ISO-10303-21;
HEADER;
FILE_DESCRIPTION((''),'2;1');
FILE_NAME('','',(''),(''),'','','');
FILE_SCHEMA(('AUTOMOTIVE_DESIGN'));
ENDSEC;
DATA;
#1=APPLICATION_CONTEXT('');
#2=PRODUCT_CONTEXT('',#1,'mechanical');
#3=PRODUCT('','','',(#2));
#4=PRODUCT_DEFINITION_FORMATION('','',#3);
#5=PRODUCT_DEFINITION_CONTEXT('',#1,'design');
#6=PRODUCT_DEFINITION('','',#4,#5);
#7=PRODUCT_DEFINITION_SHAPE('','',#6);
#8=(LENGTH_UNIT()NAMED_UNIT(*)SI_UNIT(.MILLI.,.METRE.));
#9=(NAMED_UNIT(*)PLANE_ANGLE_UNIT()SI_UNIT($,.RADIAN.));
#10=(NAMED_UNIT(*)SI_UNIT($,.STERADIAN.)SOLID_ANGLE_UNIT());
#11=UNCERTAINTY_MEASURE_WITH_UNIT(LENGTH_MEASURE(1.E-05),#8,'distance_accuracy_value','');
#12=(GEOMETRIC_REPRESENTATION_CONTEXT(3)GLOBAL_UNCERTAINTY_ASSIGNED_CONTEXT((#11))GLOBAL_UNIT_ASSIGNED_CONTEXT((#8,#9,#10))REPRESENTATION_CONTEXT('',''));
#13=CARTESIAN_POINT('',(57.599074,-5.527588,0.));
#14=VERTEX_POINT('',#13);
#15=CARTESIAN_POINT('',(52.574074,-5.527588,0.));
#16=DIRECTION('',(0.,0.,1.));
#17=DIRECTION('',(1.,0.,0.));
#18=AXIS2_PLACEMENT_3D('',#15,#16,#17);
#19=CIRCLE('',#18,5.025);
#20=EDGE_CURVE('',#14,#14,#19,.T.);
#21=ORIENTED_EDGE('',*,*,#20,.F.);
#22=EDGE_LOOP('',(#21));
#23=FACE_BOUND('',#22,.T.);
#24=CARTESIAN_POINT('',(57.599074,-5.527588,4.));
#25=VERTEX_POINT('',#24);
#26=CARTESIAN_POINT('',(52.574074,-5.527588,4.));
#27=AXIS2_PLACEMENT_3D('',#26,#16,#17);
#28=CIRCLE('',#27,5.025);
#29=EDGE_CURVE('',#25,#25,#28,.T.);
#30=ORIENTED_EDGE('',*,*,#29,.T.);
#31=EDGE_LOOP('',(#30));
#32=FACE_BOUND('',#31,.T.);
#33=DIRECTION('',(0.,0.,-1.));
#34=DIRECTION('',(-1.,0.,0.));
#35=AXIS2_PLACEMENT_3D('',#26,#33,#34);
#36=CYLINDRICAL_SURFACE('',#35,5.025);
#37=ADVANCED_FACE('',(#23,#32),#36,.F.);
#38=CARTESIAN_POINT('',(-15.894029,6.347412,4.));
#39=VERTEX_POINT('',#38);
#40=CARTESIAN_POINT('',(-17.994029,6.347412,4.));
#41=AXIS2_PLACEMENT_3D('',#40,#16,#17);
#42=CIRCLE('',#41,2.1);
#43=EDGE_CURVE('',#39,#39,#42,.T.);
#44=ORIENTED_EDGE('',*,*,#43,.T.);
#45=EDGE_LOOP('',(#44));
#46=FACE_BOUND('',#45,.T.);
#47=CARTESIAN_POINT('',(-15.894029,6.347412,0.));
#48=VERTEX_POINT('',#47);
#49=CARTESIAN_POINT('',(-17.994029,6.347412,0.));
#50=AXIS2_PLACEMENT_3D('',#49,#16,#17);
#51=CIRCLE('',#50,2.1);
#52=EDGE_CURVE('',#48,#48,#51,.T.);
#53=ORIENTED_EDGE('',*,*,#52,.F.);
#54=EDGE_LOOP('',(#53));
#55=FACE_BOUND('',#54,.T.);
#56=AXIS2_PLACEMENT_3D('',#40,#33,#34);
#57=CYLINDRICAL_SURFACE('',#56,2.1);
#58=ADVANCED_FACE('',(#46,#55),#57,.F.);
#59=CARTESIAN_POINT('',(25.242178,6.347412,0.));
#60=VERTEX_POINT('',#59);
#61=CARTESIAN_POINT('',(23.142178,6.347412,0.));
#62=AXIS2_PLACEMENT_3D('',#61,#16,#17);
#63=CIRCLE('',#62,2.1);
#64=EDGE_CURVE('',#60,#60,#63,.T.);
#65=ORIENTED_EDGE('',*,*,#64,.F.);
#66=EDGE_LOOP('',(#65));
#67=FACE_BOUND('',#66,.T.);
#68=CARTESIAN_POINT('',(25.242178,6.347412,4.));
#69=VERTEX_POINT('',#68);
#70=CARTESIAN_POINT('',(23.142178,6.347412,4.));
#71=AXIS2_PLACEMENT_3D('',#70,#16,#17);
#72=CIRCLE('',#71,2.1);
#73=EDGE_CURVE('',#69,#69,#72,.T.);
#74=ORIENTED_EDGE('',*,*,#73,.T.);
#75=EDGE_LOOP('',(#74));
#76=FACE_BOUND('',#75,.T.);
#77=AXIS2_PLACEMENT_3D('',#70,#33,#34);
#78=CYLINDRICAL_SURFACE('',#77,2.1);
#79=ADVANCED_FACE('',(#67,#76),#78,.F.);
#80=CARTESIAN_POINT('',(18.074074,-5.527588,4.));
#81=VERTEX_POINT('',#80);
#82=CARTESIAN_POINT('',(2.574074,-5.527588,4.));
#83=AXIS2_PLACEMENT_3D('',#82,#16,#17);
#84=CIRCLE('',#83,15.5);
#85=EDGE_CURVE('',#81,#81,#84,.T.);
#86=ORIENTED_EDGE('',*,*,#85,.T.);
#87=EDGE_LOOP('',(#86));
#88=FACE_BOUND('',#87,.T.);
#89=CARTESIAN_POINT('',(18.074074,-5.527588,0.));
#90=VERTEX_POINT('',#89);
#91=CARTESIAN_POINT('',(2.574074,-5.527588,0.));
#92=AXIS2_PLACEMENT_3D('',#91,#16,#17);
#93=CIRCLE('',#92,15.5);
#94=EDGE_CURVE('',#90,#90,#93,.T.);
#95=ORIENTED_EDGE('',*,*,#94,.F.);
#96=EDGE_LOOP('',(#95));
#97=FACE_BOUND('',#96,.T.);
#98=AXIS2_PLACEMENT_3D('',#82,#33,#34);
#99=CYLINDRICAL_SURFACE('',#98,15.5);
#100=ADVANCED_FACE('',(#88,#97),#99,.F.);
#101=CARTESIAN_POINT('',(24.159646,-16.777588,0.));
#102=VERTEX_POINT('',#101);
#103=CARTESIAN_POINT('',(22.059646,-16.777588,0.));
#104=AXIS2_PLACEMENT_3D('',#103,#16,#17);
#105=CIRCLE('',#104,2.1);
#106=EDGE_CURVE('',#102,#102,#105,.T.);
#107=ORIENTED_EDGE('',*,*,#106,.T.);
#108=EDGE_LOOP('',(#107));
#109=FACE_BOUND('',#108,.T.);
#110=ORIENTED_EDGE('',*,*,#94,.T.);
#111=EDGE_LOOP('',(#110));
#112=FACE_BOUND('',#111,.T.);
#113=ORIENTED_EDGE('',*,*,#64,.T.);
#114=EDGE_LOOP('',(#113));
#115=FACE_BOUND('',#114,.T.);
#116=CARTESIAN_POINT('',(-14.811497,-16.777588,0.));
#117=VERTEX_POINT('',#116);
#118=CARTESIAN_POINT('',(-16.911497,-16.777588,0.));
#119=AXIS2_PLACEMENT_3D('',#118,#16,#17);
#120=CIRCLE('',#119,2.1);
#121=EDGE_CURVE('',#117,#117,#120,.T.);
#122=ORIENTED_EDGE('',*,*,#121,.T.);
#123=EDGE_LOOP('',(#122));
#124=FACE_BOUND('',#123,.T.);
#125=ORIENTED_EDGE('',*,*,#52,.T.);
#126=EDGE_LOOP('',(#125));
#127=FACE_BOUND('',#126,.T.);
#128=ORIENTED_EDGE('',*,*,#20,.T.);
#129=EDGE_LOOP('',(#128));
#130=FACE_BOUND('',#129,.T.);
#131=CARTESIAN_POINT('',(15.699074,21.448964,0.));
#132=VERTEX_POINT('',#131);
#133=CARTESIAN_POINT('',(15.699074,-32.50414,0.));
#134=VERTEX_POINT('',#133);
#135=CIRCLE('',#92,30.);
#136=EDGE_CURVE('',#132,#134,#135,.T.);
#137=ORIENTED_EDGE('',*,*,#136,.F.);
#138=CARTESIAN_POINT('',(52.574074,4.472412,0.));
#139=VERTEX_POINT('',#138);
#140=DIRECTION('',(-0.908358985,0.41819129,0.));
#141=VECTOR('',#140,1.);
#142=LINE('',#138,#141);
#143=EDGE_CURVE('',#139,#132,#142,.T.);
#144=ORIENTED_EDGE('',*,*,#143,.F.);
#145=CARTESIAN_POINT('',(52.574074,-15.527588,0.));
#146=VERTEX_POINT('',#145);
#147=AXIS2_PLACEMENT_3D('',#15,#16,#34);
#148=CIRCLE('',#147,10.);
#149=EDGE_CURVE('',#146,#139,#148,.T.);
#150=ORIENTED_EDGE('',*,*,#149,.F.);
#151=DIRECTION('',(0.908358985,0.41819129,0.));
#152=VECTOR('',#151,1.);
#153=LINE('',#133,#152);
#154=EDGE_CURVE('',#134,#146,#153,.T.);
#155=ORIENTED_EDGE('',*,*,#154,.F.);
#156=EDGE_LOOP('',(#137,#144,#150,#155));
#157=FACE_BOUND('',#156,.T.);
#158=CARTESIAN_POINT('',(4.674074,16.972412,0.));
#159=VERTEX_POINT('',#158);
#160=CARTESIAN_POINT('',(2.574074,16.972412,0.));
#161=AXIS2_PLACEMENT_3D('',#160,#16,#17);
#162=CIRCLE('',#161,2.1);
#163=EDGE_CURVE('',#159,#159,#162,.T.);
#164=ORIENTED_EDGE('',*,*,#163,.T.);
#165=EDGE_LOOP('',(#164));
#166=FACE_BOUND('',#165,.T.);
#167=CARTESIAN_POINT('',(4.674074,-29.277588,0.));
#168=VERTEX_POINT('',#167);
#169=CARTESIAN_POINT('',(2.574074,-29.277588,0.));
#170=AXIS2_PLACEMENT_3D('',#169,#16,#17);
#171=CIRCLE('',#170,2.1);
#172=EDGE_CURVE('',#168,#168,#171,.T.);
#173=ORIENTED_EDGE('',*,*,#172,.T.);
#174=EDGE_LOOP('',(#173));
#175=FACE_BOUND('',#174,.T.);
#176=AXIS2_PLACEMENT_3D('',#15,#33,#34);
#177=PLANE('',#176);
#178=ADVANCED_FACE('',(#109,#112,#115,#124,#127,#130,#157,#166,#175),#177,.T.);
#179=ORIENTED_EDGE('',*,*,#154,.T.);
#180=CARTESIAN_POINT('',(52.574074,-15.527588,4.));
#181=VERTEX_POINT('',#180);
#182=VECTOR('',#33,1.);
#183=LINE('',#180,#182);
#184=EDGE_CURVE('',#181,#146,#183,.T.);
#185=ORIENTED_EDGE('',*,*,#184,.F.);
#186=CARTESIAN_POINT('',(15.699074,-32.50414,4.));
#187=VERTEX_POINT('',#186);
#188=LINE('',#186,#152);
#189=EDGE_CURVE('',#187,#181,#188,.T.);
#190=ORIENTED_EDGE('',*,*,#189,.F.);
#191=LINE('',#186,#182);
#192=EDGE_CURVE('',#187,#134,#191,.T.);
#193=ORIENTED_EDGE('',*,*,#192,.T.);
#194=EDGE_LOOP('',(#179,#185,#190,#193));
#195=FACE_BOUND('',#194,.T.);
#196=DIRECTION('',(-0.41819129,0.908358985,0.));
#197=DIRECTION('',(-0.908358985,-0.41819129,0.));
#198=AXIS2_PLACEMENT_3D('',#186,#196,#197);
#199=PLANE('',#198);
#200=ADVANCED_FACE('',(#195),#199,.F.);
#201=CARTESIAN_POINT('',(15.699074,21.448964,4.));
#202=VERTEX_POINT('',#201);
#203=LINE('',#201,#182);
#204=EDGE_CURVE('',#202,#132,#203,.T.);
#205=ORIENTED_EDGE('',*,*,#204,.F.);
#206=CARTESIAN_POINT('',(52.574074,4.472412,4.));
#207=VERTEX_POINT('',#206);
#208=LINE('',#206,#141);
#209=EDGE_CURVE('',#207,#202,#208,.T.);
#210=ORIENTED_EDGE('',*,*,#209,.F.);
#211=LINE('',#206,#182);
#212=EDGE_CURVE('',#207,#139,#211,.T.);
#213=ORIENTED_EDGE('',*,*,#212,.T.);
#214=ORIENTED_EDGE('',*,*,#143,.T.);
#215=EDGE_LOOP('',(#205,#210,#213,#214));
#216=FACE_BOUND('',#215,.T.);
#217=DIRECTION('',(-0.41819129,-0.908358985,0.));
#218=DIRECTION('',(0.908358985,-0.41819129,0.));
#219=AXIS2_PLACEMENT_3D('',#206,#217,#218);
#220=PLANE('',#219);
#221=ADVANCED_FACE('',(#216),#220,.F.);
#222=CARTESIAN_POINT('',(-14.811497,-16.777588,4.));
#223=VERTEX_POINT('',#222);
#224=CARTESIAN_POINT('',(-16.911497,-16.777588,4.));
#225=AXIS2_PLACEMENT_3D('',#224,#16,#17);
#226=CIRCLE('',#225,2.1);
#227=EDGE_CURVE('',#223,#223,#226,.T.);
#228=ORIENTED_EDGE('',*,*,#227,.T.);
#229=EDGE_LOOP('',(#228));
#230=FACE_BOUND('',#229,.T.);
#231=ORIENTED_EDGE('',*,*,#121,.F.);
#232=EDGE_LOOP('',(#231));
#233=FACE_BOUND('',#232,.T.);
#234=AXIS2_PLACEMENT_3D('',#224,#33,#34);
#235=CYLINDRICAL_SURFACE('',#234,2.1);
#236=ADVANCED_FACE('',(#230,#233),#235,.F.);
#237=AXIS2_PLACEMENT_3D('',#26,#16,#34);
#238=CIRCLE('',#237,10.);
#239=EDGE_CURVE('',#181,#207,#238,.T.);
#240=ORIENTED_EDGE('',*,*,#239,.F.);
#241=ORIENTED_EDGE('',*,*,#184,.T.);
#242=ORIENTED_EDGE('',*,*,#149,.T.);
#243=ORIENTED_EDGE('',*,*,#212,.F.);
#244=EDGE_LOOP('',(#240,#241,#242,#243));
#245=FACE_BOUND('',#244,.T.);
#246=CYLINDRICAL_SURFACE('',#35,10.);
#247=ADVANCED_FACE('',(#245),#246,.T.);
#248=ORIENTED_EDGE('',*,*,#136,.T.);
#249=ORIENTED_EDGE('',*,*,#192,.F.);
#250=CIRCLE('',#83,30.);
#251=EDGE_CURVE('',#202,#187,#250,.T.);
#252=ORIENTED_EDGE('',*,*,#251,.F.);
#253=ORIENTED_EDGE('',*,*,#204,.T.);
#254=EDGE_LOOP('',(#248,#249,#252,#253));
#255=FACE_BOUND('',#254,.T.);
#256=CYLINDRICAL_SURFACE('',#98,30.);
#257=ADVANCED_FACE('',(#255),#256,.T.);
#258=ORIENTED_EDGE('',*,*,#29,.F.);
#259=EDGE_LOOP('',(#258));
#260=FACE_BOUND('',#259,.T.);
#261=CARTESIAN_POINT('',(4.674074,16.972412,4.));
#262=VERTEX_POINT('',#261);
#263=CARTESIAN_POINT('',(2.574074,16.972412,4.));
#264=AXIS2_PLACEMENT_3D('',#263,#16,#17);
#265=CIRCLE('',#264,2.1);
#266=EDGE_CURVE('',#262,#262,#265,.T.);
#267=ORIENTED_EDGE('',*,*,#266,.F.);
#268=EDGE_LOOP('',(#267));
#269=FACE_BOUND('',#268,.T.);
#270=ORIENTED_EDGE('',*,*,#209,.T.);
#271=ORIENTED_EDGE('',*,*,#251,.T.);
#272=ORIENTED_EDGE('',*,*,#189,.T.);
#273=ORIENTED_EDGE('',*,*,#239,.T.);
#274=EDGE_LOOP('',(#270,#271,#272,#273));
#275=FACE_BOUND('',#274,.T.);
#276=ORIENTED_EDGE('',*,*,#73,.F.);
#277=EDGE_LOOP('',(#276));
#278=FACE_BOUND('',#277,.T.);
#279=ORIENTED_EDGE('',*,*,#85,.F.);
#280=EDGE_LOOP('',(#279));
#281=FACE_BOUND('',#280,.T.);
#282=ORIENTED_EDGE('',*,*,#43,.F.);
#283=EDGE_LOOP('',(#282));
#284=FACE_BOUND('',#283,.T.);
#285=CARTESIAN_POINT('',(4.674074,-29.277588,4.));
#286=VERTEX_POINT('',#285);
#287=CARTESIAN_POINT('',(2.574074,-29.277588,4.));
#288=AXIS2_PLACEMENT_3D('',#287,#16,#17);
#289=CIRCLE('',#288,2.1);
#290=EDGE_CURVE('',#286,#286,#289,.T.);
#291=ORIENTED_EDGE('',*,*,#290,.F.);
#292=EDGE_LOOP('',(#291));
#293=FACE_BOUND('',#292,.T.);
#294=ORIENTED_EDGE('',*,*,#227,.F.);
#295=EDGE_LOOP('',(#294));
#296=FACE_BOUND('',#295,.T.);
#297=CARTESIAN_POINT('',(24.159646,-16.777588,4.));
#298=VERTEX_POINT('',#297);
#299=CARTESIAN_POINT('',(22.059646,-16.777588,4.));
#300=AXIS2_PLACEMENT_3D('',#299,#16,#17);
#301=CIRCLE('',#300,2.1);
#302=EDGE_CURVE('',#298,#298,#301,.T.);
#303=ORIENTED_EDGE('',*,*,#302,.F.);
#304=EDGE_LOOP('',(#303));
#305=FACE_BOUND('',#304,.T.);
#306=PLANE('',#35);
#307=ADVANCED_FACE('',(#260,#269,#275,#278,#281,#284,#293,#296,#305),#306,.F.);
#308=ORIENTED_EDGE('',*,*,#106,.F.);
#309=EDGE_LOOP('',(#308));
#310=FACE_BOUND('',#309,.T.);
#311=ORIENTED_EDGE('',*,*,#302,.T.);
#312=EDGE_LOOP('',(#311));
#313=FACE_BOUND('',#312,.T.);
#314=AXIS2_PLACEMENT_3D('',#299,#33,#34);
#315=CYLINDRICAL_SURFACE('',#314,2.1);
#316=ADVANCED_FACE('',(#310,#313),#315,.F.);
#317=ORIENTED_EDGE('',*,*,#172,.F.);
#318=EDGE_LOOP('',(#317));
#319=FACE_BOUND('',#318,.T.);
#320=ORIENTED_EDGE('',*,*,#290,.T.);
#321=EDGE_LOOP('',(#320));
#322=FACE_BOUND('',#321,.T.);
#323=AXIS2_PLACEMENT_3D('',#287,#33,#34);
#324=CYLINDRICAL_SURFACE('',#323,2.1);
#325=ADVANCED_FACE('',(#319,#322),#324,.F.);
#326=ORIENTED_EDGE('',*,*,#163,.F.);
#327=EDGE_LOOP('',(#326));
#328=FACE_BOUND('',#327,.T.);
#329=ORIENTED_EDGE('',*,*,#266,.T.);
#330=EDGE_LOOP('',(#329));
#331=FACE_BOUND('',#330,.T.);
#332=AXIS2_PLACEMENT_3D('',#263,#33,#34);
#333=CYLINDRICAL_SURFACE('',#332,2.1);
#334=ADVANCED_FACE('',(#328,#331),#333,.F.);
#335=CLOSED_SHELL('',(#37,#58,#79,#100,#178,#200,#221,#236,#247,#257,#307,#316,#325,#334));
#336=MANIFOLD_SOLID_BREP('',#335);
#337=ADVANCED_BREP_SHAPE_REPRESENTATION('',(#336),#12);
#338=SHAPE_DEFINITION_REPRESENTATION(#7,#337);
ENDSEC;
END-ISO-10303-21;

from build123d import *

# Parameters (mm, degrees)
SKETCH_2_R      = 2.1
SKETCH_2_R_2    = 15.5
SKETCH_2_R_3    = 5.025
EXTRUDE_1_DEPTH = 4


with BuildPart() as part:
    # 草图2 → 凸台-拉伸1 (new body)
    with BuildSketch(Plane.XY):
        with BuildLine():
            Line((52.574074367, 4.472412166), (15.699074367, 21.448964484))
            ThreePointArc((15.699074367, 21.448964484), (-27.425925633, -5.527587834), (15.699074367, -32.504140153))
            Line((15.699074367, -32.504140153), (52.574074367, -15.527587834))
            ThreePointArc((52.574074367, -15.527587834), (62.574074367, -5.527587834), (52.574074367, 4.472412166))
        make_face()
        with Locations((2.574074367, -29.277587834)):
            Circle(SKETCH_2_R, mode=Mode.SUBTRACT)
        with Locations((22.059645952, -16.777587834)):
            Circle(SKETCH_2_R, mode=Mode.SUBTRACT)
        with Locations((2.574074367, -5.527587834)):
            Circle(SKETCH_2_R_2, mode=Mode.SUBTRACT)
        with Locations((52.574074367, -5.527587834)):
            Circle(SKETCH_2_R_3, mode=Mode.SUBTRACT)
        with Locations((-17.994028973, 6.347412166)):
            Circle(SKETCH_2_R, mode=Mode.SUBTRACT)
        with Locations((23.142177707, 6.347412166)):
            Circle(SKETCH_2_R, mode=Mode.SUBTRACT)
        with Locations((2.574074367, 16.972412166)):
            Circle(SKETCH_2_R, mode=Mode.SUBTRACT)
        with Locations((-16.911497218, -16.777587834)):
            Circle(SKETCH_2_R, mode=Mode.SUBTRACT)
    extrude(amount=EXTRUDE_1_DEPTH)


solid = part.part
